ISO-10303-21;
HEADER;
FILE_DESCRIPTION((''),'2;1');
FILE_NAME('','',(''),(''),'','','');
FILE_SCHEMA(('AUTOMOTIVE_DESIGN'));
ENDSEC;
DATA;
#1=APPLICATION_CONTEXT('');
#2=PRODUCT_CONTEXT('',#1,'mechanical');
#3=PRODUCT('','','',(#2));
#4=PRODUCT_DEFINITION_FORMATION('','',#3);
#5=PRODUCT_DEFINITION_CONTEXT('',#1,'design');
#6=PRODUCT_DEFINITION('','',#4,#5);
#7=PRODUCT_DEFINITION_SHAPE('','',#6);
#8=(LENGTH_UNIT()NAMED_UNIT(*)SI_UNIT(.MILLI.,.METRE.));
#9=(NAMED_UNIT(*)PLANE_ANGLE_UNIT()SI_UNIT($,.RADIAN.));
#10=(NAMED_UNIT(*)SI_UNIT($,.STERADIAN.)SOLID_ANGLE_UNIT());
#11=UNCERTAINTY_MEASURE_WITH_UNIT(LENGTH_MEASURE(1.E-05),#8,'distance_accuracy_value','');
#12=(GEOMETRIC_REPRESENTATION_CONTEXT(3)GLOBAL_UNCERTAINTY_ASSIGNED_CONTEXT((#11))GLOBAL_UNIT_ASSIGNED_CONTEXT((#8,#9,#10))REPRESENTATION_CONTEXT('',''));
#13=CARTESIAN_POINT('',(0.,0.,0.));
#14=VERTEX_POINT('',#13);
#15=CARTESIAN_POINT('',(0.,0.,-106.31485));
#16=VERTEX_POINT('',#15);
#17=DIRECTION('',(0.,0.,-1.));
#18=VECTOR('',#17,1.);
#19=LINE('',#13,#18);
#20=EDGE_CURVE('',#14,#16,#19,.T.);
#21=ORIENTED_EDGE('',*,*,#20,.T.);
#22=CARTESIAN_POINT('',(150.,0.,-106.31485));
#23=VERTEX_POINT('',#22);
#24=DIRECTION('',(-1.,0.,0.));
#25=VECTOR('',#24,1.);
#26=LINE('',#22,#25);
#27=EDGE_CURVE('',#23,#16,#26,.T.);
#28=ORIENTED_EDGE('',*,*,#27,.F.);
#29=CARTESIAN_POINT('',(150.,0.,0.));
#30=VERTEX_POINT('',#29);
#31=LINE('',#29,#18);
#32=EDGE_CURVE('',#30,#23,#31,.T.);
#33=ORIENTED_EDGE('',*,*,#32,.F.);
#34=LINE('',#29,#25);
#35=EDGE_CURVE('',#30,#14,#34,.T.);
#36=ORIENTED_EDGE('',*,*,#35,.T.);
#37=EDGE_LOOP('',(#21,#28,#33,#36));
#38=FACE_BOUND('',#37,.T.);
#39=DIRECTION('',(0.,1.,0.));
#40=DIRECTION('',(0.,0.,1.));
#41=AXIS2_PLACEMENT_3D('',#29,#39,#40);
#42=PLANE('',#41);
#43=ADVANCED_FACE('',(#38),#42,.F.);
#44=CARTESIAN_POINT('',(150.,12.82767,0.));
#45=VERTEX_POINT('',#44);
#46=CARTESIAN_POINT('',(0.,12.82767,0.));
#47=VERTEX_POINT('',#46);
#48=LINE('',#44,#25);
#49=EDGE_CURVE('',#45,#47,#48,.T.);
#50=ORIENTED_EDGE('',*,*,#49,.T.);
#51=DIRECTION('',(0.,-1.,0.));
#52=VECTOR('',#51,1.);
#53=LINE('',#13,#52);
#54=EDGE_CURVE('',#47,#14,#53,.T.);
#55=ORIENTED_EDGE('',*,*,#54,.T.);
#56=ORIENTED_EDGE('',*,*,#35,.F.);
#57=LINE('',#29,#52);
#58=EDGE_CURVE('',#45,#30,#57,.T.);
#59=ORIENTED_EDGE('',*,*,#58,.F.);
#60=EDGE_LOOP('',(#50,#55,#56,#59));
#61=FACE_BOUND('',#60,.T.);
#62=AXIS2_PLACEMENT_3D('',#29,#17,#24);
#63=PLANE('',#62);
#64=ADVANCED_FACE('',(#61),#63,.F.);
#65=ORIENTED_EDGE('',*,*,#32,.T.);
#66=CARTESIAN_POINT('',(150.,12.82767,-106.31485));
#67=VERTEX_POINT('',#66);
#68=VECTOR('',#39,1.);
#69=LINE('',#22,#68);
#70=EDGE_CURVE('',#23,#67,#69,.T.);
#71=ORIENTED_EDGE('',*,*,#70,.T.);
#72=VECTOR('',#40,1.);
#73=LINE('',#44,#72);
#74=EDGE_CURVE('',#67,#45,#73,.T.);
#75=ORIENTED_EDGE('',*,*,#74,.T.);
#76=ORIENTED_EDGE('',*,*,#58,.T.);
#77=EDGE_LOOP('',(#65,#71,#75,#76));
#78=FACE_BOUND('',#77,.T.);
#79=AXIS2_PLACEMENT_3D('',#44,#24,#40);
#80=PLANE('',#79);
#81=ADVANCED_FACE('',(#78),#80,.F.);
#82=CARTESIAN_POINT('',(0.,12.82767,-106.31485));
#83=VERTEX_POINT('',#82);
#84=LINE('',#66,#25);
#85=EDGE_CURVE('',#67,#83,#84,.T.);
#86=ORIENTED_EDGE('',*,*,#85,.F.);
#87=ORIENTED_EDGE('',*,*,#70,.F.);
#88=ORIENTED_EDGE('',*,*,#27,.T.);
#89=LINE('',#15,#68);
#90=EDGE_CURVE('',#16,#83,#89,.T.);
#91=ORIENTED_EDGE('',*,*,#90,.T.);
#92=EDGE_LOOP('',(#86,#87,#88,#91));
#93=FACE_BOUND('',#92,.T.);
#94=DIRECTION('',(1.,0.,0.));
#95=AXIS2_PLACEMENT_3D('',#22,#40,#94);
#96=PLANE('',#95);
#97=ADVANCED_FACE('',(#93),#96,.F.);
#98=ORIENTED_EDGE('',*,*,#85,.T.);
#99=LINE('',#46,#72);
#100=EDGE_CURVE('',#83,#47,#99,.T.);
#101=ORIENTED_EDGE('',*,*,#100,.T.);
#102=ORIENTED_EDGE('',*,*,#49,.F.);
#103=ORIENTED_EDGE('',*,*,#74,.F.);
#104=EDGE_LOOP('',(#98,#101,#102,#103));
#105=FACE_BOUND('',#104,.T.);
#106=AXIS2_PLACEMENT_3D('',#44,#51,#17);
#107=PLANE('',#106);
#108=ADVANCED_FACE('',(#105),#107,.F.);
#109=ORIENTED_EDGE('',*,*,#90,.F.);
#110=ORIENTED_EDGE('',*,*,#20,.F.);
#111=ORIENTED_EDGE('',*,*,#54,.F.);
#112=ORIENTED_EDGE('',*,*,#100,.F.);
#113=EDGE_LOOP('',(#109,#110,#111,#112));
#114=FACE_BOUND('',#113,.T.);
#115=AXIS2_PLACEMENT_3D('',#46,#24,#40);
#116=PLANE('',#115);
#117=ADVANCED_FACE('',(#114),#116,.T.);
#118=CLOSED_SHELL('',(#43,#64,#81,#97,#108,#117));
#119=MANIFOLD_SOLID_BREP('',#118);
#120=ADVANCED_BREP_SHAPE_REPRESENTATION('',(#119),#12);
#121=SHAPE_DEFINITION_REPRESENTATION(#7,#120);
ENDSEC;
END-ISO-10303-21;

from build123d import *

# Parameters (mm, degrees)
SKETCH1_W      = 106.314849721
SKETCH1_H      = 12.827670378
EXTRUDE1_DEPTH = 150


with BuildPart() as part:
    # Sketch1 → Extrude1 (new body)
    with BuildSketch(Plane(origin=(0, 0, 0), x_dir=(0, 0, -1), z_dir=(1, 0, 0))):
        with Locations((53.157424861, 6.413835189)):
            Rectangle(SKETCH1_W, SKETCH1_H)
    extrude(amount=EXTRUDE1_DEPTH)


solid = part.part
